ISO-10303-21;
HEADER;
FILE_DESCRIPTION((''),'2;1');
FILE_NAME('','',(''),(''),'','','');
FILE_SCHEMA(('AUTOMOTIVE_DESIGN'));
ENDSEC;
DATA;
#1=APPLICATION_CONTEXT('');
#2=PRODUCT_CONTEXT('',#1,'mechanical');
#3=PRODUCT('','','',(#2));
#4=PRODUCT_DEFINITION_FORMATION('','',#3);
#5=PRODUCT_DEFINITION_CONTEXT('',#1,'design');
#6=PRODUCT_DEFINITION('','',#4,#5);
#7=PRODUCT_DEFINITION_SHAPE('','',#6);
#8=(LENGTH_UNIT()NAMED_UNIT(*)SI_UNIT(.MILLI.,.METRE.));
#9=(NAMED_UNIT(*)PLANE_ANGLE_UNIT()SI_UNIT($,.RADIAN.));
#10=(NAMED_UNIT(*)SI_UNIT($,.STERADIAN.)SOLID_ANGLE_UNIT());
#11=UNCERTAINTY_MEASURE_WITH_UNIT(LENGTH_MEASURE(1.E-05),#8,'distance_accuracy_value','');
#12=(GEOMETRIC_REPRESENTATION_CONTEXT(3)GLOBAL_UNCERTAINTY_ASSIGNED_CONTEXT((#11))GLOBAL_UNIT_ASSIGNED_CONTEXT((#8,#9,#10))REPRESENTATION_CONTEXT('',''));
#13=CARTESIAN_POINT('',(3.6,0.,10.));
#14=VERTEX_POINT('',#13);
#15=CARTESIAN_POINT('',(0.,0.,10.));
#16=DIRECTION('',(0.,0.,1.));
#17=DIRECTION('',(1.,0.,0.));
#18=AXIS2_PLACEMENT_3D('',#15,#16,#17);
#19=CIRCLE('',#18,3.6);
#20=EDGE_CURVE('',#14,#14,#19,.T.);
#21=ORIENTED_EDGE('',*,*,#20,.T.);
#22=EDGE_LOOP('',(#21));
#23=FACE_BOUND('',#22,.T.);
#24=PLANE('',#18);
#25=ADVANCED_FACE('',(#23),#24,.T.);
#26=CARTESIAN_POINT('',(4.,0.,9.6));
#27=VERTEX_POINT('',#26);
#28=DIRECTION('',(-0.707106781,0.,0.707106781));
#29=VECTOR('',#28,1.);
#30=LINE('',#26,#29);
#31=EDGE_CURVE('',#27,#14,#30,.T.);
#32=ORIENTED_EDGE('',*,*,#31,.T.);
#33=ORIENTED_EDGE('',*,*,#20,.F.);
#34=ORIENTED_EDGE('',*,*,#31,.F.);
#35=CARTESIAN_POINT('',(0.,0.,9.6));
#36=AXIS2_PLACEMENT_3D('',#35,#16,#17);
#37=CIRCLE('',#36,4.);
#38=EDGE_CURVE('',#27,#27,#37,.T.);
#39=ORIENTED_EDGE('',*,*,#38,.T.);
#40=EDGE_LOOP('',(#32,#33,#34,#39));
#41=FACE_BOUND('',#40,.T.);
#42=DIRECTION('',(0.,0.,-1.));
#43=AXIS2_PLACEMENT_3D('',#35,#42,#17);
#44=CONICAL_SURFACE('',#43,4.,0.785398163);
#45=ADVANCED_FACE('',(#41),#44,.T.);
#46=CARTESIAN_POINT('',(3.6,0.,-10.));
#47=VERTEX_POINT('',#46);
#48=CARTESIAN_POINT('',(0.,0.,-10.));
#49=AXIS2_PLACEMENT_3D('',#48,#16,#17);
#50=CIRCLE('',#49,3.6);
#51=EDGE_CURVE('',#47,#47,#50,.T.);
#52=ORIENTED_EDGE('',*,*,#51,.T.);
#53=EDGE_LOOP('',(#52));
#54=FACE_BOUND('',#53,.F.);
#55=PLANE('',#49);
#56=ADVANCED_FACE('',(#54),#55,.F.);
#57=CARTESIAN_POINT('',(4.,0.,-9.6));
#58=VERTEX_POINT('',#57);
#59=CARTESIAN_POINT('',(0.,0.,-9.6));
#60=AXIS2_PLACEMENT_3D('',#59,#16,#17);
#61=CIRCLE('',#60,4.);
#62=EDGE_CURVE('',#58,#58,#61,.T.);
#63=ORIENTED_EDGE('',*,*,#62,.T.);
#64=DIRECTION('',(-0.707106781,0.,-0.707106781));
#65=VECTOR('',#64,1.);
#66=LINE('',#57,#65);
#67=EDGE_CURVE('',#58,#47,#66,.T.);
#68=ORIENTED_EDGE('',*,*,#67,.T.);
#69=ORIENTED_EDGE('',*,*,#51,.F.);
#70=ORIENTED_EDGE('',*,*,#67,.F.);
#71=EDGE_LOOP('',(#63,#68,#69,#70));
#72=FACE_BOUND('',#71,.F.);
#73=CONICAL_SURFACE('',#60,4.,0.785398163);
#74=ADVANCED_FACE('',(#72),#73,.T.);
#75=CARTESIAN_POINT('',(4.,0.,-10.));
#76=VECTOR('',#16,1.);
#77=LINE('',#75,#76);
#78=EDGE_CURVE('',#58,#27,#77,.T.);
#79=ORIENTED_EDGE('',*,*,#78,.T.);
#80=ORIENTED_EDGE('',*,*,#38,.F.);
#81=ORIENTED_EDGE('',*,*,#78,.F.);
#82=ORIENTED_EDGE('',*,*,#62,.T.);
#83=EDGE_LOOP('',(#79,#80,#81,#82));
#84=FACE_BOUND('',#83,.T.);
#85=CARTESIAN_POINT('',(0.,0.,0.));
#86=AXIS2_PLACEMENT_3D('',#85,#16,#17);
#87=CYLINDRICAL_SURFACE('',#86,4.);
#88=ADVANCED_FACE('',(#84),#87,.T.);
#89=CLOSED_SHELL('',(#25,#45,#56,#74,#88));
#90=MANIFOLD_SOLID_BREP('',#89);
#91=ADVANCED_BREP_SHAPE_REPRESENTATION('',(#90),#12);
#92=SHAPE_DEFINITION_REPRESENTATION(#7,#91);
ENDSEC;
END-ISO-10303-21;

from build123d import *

# Parameters (mm, degrees)
SKETCH_R     = 4
PAD_DEPTH    = 10
CHAMFER_SIZE = 0.4


with BuildPart() as part:
    # Sketch → Pad (new body, symmetric)
    with BuildSketch(Plane.XY):
        Circle(SKETCH_R)
    extrude(amount=PAD_DEPTH, both=True)

    # Chamfer
    chamfer_edges = [part.edges().sort_by_distance(p)[0] for p in [
        (-4, 0, -10),
        (-4, 0, 10),
    ]]
    chamfer(chamfer_edges, length=CHAMFER_SIZE)


solid = part.part
